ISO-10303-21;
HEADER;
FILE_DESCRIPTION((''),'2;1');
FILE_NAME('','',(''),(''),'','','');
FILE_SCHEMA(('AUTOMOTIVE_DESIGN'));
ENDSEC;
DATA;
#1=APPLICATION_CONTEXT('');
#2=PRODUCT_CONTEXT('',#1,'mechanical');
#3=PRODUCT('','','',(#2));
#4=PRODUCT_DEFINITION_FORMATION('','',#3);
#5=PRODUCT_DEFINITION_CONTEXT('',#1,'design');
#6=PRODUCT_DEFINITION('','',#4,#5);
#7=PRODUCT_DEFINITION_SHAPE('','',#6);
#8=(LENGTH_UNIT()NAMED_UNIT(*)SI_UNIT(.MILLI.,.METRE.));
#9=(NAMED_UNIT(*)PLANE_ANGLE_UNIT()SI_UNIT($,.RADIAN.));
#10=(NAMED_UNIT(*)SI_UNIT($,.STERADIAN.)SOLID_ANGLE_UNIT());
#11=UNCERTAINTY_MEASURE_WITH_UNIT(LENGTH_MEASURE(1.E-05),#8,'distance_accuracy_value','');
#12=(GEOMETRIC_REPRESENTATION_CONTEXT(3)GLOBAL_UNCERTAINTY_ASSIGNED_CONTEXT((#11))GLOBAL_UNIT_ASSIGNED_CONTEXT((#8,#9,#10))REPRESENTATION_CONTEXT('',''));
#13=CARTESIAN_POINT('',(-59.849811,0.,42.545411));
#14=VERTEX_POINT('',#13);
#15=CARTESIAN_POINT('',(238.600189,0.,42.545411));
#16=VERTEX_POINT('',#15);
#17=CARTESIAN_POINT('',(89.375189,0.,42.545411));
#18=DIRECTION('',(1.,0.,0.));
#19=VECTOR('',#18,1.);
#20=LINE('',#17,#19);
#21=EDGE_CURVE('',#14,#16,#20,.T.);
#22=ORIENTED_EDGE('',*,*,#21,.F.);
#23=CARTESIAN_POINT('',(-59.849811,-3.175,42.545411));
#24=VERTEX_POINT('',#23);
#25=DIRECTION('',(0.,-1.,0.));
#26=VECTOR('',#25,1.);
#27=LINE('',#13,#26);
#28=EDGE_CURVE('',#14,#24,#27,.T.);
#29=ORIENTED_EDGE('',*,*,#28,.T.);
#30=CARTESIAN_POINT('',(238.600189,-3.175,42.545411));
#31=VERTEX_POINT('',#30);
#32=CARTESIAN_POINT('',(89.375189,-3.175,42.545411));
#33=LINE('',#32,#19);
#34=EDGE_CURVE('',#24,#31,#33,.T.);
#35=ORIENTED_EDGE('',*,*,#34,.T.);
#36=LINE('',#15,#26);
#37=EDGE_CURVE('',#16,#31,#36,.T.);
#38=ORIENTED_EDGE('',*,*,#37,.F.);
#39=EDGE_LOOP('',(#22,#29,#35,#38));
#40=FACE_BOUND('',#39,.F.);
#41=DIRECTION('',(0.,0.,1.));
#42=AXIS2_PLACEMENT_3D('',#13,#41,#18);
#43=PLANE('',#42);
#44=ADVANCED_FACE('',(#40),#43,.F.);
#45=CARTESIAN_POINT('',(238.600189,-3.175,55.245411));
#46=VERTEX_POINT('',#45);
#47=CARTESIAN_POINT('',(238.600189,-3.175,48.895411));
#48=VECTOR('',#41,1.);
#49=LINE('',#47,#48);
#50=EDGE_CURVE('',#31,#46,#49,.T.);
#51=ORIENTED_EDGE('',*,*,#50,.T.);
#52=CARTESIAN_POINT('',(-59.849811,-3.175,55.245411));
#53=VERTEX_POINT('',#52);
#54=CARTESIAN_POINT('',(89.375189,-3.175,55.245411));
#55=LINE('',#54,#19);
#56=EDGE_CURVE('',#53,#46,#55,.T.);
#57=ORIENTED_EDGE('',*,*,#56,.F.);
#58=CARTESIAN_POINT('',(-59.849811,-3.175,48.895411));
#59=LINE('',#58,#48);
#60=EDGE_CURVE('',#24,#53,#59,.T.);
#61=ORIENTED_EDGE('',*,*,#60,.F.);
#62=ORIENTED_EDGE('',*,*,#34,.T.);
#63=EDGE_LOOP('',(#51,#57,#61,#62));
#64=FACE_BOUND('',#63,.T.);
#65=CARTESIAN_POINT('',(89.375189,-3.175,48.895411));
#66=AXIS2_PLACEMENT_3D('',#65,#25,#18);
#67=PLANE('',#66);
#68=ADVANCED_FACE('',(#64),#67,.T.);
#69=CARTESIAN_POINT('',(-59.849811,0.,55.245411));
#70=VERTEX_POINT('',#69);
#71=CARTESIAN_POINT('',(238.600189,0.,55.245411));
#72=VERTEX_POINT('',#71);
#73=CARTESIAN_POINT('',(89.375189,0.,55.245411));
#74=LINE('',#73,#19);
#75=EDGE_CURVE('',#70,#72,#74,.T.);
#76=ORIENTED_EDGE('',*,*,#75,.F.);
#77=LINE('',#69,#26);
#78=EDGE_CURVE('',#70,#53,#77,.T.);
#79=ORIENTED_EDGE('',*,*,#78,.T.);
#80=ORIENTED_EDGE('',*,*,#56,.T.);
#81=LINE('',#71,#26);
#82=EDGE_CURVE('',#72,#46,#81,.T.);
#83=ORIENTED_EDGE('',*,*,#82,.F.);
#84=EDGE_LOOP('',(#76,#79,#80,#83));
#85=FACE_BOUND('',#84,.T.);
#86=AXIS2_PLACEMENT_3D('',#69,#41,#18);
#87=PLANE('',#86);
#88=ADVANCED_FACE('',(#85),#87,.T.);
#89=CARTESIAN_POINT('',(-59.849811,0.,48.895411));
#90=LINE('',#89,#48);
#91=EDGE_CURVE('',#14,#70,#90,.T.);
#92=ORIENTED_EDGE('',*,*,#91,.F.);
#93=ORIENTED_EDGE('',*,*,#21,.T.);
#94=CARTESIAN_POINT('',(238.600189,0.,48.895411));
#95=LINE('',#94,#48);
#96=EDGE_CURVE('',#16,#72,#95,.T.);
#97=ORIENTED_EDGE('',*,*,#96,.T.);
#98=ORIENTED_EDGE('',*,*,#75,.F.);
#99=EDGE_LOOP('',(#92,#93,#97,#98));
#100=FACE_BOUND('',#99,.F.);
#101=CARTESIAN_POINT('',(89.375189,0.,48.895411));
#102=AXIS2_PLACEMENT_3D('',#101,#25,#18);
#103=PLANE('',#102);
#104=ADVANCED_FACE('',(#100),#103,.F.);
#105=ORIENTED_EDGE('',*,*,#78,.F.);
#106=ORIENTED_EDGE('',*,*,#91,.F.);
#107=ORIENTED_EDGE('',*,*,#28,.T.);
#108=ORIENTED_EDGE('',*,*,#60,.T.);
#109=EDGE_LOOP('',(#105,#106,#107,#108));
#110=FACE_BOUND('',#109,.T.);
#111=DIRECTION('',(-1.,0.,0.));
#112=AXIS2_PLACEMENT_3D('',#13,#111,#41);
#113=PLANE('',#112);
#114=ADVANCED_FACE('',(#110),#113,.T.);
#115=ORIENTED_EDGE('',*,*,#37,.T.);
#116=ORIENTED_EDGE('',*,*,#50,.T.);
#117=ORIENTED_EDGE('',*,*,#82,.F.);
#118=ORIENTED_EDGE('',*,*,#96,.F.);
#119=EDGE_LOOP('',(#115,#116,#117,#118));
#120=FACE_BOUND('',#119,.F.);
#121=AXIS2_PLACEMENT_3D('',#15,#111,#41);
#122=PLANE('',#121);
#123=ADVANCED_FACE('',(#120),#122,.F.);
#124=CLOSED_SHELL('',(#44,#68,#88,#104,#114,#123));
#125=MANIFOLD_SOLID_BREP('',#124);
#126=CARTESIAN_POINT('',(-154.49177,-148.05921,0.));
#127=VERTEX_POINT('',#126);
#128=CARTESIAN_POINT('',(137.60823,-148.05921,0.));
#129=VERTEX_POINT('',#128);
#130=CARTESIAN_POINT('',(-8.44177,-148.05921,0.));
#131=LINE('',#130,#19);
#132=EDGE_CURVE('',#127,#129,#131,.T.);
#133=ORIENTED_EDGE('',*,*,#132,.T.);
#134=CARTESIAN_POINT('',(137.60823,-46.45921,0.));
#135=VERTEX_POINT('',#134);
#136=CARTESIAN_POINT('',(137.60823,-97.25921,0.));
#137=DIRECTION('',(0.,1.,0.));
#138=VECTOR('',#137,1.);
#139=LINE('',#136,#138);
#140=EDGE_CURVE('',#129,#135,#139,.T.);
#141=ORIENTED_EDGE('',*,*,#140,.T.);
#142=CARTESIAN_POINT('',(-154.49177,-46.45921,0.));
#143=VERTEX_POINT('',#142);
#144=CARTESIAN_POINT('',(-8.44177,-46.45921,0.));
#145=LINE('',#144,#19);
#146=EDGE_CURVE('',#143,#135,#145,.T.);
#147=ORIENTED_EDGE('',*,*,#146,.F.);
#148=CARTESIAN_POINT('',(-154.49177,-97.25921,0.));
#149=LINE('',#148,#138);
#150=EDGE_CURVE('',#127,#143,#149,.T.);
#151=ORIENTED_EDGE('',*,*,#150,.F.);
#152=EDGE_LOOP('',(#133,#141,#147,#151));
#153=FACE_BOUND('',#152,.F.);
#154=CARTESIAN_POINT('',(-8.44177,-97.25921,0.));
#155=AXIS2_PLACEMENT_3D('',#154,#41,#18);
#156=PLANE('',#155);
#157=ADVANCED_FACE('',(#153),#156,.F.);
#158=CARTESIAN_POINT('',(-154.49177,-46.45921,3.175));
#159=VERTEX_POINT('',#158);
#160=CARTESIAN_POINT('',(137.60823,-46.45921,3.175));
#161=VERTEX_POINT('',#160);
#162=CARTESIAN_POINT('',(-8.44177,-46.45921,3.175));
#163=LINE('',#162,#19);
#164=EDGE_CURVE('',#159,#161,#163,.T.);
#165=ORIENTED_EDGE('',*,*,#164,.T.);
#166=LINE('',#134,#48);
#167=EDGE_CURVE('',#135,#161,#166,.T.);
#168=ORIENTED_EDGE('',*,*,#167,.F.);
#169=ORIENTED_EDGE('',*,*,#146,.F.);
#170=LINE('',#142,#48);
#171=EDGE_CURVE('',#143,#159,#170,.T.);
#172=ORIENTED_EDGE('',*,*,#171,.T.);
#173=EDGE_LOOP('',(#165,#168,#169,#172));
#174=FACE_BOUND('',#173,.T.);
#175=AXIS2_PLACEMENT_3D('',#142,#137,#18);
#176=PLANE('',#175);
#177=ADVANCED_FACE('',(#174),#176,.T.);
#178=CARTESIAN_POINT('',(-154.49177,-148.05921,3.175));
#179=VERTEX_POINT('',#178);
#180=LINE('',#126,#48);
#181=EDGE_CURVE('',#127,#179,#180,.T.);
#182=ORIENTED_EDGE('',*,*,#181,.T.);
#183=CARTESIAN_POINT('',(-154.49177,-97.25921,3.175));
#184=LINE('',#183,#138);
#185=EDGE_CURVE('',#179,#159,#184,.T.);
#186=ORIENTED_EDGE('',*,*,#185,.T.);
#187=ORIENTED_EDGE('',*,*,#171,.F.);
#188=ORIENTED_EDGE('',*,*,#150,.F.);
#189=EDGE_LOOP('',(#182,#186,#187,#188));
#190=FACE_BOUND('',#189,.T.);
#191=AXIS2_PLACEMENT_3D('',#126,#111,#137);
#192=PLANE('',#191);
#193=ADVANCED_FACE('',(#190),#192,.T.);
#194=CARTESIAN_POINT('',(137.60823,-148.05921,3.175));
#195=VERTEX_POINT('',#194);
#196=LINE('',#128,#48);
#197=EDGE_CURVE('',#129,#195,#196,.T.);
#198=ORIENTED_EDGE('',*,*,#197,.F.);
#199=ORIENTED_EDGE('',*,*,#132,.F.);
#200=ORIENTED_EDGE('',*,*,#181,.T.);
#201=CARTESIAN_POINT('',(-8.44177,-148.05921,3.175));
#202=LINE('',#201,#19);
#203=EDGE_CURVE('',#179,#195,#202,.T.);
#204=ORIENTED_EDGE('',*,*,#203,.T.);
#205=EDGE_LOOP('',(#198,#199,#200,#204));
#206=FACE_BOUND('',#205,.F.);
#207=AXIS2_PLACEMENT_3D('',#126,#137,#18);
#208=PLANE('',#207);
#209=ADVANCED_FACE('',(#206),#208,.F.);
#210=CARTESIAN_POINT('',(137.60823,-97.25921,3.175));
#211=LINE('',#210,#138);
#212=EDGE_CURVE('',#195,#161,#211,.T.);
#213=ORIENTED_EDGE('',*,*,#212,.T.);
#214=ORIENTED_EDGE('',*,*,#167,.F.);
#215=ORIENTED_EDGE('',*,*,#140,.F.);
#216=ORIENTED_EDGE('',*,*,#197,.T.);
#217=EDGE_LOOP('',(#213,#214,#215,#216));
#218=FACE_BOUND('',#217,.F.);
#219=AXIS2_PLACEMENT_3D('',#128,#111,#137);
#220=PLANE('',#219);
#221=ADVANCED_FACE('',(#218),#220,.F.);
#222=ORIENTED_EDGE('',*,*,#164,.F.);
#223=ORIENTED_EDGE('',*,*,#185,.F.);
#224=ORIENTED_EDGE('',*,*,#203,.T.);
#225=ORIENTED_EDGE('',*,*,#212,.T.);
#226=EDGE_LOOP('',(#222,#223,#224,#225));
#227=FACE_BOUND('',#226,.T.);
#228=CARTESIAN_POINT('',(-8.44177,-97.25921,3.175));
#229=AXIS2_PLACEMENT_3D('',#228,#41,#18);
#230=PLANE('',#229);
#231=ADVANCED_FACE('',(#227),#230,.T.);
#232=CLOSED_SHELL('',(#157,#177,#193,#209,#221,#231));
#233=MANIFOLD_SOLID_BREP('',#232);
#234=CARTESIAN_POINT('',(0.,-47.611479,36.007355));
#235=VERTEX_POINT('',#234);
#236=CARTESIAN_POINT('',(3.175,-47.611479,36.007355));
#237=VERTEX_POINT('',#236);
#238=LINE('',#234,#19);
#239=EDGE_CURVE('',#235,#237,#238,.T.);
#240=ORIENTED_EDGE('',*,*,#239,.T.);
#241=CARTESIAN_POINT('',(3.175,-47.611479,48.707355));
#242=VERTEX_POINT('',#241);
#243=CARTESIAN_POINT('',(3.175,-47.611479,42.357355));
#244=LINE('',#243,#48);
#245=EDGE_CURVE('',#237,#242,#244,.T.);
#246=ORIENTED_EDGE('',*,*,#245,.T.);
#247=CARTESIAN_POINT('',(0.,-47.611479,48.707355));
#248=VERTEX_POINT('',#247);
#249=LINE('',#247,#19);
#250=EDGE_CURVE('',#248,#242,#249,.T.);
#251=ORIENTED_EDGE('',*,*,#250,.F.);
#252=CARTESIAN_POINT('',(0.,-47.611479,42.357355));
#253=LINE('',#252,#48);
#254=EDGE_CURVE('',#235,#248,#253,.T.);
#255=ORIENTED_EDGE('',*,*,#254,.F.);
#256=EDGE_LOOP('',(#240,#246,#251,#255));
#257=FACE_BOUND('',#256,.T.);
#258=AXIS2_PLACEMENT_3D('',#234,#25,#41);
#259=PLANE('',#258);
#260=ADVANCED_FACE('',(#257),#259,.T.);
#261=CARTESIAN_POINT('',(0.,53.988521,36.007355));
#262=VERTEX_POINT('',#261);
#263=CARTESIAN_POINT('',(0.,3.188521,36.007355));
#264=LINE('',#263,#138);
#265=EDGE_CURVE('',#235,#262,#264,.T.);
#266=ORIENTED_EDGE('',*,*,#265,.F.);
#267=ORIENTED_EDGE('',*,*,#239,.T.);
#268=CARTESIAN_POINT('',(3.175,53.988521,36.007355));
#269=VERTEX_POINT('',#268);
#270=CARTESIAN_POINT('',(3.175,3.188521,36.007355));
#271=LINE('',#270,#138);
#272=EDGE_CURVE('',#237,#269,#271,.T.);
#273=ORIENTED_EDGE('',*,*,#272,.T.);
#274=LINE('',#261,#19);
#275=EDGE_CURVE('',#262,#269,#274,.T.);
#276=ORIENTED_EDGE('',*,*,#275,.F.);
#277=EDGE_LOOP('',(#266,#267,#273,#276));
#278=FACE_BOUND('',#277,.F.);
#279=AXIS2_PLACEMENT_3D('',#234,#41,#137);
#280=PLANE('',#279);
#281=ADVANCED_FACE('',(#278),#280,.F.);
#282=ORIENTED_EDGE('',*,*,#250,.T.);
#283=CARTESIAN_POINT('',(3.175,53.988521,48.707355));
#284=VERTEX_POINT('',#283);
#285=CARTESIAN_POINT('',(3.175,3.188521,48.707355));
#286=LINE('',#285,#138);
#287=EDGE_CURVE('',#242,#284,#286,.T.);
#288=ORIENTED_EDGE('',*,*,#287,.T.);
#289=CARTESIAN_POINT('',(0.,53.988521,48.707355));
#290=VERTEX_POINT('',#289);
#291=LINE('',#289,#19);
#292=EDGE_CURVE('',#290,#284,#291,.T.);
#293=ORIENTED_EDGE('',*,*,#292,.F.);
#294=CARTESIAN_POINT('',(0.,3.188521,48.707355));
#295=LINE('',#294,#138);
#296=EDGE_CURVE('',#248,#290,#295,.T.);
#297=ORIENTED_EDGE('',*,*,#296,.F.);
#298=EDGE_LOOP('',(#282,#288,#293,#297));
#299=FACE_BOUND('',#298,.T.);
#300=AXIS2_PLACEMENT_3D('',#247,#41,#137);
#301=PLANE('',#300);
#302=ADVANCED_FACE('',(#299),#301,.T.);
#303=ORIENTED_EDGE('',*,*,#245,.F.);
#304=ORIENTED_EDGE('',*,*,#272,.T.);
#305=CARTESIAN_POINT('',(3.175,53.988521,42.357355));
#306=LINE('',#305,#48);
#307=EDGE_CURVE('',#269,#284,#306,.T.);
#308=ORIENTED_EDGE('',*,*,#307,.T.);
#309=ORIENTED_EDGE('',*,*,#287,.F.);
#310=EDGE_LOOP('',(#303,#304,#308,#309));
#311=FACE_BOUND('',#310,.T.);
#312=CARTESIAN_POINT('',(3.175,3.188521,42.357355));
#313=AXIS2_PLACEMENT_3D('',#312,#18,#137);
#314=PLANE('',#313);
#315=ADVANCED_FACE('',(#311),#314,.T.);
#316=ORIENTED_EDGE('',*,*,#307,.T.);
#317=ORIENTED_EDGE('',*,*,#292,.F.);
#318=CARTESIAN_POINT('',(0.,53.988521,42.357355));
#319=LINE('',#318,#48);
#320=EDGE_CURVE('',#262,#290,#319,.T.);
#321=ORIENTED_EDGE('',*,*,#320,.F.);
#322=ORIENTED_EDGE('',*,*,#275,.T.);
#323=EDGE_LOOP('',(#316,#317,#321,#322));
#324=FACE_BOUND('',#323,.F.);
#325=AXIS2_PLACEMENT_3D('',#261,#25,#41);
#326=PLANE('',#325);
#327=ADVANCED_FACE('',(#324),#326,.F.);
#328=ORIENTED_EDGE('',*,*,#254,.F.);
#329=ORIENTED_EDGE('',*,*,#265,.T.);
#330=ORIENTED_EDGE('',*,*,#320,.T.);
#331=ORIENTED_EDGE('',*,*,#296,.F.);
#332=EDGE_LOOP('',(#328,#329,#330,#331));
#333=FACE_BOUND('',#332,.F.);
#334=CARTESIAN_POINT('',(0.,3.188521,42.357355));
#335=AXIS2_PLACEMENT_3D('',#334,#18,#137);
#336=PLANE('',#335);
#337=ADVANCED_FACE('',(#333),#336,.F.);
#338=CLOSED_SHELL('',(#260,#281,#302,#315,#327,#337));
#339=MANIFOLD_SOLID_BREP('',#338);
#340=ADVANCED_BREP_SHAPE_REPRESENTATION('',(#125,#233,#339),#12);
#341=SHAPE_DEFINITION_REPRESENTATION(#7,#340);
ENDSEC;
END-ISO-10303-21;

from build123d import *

# Parameters (mm, degrees)
F0_W     = 292.1
F0_H     = 101.6
F1_DEPTH = 3.175
F2_W     = 298.45
F2_H     = 12.7
F3_DEPTH = 3.175
F4_W     = 101.6
F4_H     = 12.7
F5_DEPTH = 3.175


with BuildPart() as f1:
    # F0 (on Top) → F1 (new body)
    with BuildSketch(Plane.XY):
        with Locations((-8.44177, -97.25921)):
            Rectangle(F0_W, F0_H)
    extrude(amount=F1_DEPTH)


with BuildPart() as f3:
    # F2 (on Front) → F3 (new body)
    with BuildSketch(Plane.XZ):
        with Locations((89.375189, 48.895411)):
            Rectangle(F2_W, F2_H)
    extrude(amount=F3_DEPTH)


with BuildPart() as f5:
    # F4 (on Right) → F5 (new body)
    with BuildSketch(Plane.YZ):
        with Locations((3.188521, 42.357355)):
            Rectangle(F4_W, F4_H)
    extrude(amount=F5_DEPTH)


solid = Compound([f1.part, f3.part, f5.part])
